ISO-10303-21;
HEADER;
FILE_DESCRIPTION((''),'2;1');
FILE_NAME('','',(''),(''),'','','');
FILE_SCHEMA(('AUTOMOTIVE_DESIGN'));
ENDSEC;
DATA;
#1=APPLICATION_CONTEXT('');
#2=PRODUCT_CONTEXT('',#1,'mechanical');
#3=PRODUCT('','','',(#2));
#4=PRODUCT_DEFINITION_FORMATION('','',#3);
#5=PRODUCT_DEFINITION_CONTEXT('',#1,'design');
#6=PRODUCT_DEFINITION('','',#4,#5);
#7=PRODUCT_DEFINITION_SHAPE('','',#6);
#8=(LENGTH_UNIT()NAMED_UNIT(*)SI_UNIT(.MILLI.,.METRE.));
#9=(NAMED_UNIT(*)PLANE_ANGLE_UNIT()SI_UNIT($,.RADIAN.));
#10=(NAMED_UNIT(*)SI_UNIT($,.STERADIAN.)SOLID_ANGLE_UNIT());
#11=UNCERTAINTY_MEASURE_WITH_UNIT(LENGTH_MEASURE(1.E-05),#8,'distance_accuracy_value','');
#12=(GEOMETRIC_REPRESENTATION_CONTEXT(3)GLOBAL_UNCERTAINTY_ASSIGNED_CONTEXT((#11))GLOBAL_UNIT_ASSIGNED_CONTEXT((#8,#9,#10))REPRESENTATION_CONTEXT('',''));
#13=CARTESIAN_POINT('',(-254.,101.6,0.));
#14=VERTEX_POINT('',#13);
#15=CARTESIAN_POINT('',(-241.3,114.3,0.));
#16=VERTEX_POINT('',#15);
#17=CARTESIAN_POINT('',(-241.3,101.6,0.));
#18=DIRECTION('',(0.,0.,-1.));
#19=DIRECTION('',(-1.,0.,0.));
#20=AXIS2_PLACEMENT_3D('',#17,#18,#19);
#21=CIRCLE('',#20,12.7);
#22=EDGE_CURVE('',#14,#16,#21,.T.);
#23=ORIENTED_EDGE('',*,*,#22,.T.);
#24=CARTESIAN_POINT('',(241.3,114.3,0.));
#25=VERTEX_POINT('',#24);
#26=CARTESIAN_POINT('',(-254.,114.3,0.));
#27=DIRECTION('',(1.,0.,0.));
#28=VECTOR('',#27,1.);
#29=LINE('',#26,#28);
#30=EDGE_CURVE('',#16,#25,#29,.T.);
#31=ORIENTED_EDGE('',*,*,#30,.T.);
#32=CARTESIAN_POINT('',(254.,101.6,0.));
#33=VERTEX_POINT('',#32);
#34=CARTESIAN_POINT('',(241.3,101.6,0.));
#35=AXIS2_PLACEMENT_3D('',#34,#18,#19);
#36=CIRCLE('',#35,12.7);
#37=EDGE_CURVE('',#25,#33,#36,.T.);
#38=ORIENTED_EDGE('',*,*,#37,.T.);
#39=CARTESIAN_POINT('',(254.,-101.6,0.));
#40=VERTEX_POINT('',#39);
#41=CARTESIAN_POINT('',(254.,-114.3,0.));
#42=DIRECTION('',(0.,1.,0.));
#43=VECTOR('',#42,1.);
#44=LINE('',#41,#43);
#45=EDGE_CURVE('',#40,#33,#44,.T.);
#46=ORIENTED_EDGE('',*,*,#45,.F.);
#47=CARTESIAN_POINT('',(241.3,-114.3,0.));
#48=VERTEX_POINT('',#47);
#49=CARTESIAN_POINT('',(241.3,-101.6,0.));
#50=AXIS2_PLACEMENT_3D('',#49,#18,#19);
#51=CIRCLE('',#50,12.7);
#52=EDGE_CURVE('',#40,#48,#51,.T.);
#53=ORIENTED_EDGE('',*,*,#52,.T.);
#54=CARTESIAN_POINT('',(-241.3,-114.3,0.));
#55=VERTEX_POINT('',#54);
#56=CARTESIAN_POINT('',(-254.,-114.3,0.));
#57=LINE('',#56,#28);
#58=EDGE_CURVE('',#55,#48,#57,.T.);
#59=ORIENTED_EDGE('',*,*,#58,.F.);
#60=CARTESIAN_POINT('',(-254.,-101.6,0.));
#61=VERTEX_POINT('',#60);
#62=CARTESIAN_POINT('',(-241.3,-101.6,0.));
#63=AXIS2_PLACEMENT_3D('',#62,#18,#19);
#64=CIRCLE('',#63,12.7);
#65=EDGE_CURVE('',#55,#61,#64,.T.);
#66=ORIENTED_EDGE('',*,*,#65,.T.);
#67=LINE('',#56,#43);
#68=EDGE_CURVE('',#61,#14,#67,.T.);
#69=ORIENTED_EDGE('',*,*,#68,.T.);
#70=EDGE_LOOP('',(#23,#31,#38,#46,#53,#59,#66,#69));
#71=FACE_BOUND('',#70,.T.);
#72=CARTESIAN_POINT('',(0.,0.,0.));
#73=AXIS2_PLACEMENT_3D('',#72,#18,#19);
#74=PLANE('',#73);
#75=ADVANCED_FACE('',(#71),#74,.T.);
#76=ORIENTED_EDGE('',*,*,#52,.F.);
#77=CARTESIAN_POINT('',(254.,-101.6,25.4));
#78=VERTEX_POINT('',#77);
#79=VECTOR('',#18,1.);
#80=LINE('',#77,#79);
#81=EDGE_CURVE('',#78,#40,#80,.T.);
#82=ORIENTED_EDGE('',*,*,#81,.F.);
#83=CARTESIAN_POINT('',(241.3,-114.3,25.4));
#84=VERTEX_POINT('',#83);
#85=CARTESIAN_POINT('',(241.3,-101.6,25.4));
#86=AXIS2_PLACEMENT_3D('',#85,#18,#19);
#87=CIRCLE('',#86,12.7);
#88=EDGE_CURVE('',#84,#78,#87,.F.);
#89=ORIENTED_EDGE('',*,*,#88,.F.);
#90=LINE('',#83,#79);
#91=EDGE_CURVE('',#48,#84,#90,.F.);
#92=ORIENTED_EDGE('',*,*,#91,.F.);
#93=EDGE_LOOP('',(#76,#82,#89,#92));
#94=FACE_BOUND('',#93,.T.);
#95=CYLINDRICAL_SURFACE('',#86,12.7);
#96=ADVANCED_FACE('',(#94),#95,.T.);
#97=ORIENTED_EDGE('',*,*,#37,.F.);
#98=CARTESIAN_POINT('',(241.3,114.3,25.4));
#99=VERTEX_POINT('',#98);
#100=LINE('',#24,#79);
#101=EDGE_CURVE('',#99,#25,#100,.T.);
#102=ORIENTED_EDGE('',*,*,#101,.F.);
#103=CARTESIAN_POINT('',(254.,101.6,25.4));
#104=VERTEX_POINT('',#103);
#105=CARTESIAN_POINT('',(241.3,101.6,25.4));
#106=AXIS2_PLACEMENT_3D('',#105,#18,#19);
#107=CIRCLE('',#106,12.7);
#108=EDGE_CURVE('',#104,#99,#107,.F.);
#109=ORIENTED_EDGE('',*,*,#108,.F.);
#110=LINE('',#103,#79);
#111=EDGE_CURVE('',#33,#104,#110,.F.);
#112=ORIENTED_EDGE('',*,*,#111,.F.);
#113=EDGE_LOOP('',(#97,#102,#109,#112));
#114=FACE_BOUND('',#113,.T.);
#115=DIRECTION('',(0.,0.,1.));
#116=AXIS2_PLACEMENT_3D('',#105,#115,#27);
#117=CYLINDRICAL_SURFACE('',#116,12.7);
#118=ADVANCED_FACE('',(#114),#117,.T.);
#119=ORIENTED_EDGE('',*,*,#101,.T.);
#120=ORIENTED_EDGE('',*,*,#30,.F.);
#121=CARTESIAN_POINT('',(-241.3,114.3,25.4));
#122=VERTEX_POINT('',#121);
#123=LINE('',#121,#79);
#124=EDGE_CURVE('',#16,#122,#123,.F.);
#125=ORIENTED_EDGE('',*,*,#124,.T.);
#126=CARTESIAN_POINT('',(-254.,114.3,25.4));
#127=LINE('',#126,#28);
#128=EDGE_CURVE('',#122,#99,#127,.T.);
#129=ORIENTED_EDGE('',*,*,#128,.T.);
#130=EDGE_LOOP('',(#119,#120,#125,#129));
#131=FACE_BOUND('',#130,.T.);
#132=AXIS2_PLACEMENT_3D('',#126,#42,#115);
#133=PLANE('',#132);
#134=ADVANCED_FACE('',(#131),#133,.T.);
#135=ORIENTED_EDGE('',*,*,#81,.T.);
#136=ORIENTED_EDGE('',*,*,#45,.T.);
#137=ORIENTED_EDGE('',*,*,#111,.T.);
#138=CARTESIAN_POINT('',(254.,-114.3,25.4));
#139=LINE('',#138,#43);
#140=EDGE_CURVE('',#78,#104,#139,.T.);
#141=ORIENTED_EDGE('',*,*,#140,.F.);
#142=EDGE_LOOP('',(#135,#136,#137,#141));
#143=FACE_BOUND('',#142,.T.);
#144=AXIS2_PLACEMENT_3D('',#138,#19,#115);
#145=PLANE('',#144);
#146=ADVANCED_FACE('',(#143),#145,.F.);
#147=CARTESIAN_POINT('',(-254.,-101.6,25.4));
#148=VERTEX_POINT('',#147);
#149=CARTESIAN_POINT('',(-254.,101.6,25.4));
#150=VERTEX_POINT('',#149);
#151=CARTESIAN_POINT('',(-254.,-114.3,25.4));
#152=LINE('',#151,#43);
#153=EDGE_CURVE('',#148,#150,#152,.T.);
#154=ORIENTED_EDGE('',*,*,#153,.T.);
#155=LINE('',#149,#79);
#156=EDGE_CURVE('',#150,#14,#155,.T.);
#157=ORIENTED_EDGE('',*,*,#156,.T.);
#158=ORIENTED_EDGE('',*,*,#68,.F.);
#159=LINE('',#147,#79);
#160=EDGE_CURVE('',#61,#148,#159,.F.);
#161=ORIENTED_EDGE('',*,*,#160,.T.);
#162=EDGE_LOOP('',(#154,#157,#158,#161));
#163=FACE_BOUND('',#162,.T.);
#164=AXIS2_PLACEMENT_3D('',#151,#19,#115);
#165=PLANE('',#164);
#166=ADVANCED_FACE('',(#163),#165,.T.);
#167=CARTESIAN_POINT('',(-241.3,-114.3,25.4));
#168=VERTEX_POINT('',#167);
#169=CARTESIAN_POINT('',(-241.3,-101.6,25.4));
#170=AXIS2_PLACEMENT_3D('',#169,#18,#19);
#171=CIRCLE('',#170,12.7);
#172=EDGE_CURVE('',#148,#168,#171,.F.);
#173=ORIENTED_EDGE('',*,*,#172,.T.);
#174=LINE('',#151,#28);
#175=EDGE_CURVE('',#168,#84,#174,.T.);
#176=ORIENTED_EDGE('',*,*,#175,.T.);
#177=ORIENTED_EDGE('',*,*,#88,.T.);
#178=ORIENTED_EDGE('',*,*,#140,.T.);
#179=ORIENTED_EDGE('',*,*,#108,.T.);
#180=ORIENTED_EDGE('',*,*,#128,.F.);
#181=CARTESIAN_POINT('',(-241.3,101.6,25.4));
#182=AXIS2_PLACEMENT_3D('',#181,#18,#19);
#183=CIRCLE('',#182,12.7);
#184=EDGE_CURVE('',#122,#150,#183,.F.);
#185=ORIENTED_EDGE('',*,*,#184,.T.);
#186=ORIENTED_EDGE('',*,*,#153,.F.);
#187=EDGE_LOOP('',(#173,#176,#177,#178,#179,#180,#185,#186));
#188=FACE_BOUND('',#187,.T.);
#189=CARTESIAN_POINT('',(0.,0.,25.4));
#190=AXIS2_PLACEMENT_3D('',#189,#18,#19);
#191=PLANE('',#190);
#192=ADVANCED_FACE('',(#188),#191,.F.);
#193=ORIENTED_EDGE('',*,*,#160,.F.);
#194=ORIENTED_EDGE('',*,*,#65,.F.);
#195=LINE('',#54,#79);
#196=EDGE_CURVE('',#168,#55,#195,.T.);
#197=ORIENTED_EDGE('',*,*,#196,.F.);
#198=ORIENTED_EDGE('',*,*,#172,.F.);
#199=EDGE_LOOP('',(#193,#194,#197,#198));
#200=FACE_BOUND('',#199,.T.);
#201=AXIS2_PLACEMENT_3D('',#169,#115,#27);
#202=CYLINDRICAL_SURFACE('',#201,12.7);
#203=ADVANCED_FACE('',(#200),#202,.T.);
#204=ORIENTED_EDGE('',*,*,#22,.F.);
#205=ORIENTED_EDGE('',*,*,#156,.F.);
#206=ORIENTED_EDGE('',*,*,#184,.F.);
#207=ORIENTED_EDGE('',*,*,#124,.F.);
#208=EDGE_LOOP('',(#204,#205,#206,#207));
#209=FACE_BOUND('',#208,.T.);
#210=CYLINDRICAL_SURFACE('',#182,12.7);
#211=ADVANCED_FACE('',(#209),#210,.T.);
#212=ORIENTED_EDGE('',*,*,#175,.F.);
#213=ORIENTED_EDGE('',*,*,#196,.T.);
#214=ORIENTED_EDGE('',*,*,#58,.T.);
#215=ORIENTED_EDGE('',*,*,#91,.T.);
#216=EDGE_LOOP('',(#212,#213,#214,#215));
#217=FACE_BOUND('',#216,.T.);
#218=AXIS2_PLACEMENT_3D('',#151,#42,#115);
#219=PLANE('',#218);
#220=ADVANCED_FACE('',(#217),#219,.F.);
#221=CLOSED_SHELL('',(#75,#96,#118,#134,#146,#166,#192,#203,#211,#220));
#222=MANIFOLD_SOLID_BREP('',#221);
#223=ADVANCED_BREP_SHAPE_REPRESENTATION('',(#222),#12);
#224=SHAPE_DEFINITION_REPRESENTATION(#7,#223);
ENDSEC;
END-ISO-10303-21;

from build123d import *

# Parameters (mm, degrees)
SKETCH1_W           = 508
SKETCH1_H           = 228.6
BOSS_EXTRUDE1_DEPTH = 25.4
FILLET3_R           = 12.7
FILLET4_R           = 12.7


with BuildPart() as part:
    # Sketch1 → Boss-Extrude1 (new body)
    with BuildSketch(Plane.XY):
        Rectangle(SKETCH1_W, SKETCH1_H)
    extrude(amount=BOSS_EXTRUDE1_DEPTH)

    # Fillet3
    fillet3_edges = [part.edges().sort_by_distance(p)[0] for p in [
        (254, 114.3, 12.7),
    ]]
    fillet(fillet3_edges, radius=FILLET3_R)

    # Fillet4
    fillet4_edges = [part.edges().sort_by_distance(p)[0] for p in [
        (-254, -114.3, 12.7),
        (254, -114.3, 12.7),
        (-254, 114.3, 12.7),
    ]]
    fillet(fillet4_edges, radius=FILLET4_R)


solid = part.part
